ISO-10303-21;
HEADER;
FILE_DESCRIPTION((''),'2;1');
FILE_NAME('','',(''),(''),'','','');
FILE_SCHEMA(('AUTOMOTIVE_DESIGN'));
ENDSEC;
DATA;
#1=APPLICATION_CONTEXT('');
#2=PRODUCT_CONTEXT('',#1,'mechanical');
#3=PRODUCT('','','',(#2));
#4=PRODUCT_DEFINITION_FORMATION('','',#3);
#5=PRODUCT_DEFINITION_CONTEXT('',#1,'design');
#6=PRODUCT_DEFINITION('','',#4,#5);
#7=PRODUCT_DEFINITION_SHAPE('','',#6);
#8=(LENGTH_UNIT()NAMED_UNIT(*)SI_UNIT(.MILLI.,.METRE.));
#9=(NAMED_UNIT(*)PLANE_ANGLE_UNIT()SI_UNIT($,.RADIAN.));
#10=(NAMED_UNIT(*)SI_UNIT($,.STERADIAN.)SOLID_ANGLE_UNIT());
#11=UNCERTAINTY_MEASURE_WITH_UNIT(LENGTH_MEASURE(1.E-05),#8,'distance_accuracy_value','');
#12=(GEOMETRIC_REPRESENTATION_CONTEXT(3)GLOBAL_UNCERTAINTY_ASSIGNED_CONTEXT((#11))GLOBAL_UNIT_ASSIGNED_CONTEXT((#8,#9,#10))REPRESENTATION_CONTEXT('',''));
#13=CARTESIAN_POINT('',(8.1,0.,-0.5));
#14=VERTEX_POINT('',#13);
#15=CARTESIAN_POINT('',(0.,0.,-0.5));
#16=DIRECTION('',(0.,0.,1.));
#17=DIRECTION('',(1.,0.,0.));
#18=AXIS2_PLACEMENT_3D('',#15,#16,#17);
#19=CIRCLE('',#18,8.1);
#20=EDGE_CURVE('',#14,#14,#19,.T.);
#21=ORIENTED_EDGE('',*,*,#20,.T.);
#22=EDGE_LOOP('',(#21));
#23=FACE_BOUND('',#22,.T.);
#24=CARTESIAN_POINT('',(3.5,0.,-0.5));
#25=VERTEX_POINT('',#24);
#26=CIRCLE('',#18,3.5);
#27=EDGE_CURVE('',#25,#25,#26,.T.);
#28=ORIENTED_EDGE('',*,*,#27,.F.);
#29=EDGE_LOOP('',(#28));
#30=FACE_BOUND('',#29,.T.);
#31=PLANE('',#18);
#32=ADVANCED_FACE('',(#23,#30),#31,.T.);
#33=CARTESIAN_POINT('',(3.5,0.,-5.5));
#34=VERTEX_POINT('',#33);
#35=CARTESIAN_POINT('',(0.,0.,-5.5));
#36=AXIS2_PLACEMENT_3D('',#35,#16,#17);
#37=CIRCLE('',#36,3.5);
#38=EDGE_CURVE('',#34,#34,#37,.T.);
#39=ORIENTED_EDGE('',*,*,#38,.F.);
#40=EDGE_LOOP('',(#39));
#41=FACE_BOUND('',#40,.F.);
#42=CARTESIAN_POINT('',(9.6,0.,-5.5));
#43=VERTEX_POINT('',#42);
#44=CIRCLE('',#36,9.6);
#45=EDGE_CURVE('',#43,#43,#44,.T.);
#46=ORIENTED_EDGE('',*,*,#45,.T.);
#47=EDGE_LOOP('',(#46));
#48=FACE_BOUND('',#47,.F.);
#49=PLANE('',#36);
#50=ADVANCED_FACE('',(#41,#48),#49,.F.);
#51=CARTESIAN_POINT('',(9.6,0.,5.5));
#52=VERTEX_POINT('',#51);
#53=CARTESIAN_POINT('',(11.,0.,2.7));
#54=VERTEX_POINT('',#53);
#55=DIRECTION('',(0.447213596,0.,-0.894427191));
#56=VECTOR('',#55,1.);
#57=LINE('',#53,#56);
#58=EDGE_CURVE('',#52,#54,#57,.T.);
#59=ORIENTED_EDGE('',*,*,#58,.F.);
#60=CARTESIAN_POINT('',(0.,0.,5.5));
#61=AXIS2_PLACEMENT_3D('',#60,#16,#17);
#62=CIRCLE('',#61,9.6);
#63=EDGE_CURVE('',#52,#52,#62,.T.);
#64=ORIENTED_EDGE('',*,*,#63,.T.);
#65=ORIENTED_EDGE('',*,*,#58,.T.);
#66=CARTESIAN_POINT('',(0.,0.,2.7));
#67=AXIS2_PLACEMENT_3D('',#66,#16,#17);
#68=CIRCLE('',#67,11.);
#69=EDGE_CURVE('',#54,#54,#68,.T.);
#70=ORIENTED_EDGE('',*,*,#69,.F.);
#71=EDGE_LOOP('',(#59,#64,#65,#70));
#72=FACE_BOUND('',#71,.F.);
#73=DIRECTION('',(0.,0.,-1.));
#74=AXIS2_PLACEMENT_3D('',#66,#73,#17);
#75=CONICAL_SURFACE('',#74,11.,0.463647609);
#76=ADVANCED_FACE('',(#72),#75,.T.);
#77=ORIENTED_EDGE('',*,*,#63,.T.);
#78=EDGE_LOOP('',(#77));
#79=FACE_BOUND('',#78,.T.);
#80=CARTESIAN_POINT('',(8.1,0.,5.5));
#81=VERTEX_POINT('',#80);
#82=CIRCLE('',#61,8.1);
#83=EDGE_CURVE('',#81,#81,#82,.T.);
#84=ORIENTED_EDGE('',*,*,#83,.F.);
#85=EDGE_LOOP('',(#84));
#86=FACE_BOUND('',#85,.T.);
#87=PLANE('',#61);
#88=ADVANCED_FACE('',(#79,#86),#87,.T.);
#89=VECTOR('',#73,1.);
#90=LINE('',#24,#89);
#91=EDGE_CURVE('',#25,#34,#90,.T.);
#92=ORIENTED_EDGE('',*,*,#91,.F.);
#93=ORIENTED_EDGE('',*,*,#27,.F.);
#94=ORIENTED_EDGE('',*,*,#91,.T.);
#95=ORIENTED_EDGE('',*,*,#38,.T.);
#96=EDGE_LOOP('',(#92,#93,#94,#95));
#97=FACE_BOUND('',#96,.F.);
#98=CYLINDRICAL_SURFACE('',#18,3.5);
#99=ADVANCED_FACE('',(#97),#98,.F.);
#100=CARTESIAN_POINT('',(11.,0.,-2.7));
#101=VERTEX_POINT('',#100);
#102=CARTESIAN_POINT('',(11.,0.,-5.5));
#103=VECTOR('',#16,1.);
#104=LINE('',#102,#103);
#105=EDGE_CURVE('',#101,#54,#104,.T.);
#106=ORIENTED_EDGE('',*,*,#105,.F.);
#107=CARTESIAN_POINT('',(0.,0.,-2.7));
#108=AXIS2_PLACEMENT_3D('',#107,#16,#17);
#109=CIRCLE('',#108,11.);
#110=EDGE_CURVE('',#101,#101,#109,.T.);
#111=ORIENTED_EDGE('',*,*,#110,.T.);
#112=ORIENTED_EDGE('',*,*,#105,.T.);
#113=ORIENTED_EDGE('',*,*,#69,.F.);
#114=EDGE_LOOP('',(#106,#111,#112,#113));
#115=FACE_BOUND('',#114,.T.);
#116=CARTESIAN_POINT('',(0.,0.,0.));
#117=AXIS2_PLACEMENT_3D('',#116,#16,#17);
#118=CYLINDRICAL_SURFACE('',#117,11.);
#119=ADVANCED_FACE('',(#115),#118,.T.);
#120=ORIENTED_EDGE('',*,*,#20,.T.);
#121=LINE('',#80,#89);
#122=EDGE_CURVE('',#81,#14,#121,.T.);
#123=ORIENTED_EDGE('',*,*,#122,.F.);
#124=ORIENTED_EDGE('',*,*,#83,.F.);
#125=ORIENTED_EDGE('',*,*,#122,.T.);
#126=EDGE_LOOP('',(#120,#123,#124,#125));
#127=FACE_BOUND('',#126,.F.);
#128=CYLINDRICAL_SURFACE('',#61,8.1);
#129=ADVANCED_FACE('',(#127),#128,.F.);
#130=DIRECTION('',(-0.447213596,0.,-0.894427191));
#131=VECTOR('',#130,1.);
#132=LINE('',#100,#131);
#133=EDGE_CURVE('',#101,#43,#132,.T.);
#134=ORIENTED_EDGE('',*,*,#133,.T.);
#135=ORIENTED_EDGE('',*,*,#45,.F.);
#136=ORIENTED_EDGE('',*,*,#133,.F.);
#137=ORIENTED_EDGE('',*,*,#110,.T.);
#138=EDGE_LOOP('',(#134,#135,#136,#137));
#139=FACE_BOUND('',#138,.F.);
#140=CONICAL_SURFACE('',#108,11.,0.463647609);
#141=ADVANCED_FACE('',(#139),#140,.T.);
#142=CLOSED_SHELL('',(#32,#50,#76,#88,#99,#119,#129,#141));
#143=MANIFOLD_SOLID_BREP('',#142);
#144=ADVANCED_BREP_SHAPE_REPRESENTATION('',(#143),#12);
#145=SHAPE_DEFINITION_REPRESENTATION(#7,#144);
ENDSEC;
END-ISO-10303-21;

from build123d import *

# Parameters (mm, degrees)
F0_R          = 11
F1_DEPTH      = 5.5
F1_DEPTH_BACK = 5.5
F3_SIZE2      = 2.8
F3_SIZE       = 1.4
F4_SIZE2      = 1.4
F4_SIZE       = 2.8
F5_R          = 8.1
F6_DEPTH      = 6
F7_R          = 3.5
F8_DEPTH      = 5


with BuildPart() as f1:
    # F0 (on Top) → F1 (new body, two sides)
    with BuildSketch(Plane.XY) as f1_sk:
        Circle(F0_R)
    extrude(amount=F1_DEPTH)
    extrude(f1_sk.sketch, amount=-F1_DEPTH_BACK)

    # F3
    f3_edges = [f1.edges().sort_by_distance(p)[0] for p in [
        (-11, 0, 5.5),
    ]]
    f3_side = f1.faces().sort_by_distance((0, 0, 5.5))[0]
    chamfer(f3_edges, length=F3_SIZE, length2=F3_SIZE2, reference=f3_side)

    # F4
    f4_edges = [f1.edges().sort_by_distance(p)[0] for p in [
        (-11, 0, -5.5),
    ]]
    f4_side = f1.faces().sort_by_distance((-11, 0, -2.75))[0]
    chamfer(f4_edges, length=F4_SIZE, length2=F4_SIZE2, reference=f4_side)

    # F5 (on face) → F6 (cut)
    with BuildSketch(Plane.XY.offset(5.5)):
        Circle(F5_R)
    extrude(amount=-F6_DEPTH, mode=Mode.SUBTRACT)

    # F7 (on face) → F8 (cut, through all)
    with BuildSketch(Plane.XY.offset(-0.5)):
        Circle(F7_R)
    extrude(amount=-F8_DEPTH, mode=Mode.SUBTRACT)


solid = f1.part
